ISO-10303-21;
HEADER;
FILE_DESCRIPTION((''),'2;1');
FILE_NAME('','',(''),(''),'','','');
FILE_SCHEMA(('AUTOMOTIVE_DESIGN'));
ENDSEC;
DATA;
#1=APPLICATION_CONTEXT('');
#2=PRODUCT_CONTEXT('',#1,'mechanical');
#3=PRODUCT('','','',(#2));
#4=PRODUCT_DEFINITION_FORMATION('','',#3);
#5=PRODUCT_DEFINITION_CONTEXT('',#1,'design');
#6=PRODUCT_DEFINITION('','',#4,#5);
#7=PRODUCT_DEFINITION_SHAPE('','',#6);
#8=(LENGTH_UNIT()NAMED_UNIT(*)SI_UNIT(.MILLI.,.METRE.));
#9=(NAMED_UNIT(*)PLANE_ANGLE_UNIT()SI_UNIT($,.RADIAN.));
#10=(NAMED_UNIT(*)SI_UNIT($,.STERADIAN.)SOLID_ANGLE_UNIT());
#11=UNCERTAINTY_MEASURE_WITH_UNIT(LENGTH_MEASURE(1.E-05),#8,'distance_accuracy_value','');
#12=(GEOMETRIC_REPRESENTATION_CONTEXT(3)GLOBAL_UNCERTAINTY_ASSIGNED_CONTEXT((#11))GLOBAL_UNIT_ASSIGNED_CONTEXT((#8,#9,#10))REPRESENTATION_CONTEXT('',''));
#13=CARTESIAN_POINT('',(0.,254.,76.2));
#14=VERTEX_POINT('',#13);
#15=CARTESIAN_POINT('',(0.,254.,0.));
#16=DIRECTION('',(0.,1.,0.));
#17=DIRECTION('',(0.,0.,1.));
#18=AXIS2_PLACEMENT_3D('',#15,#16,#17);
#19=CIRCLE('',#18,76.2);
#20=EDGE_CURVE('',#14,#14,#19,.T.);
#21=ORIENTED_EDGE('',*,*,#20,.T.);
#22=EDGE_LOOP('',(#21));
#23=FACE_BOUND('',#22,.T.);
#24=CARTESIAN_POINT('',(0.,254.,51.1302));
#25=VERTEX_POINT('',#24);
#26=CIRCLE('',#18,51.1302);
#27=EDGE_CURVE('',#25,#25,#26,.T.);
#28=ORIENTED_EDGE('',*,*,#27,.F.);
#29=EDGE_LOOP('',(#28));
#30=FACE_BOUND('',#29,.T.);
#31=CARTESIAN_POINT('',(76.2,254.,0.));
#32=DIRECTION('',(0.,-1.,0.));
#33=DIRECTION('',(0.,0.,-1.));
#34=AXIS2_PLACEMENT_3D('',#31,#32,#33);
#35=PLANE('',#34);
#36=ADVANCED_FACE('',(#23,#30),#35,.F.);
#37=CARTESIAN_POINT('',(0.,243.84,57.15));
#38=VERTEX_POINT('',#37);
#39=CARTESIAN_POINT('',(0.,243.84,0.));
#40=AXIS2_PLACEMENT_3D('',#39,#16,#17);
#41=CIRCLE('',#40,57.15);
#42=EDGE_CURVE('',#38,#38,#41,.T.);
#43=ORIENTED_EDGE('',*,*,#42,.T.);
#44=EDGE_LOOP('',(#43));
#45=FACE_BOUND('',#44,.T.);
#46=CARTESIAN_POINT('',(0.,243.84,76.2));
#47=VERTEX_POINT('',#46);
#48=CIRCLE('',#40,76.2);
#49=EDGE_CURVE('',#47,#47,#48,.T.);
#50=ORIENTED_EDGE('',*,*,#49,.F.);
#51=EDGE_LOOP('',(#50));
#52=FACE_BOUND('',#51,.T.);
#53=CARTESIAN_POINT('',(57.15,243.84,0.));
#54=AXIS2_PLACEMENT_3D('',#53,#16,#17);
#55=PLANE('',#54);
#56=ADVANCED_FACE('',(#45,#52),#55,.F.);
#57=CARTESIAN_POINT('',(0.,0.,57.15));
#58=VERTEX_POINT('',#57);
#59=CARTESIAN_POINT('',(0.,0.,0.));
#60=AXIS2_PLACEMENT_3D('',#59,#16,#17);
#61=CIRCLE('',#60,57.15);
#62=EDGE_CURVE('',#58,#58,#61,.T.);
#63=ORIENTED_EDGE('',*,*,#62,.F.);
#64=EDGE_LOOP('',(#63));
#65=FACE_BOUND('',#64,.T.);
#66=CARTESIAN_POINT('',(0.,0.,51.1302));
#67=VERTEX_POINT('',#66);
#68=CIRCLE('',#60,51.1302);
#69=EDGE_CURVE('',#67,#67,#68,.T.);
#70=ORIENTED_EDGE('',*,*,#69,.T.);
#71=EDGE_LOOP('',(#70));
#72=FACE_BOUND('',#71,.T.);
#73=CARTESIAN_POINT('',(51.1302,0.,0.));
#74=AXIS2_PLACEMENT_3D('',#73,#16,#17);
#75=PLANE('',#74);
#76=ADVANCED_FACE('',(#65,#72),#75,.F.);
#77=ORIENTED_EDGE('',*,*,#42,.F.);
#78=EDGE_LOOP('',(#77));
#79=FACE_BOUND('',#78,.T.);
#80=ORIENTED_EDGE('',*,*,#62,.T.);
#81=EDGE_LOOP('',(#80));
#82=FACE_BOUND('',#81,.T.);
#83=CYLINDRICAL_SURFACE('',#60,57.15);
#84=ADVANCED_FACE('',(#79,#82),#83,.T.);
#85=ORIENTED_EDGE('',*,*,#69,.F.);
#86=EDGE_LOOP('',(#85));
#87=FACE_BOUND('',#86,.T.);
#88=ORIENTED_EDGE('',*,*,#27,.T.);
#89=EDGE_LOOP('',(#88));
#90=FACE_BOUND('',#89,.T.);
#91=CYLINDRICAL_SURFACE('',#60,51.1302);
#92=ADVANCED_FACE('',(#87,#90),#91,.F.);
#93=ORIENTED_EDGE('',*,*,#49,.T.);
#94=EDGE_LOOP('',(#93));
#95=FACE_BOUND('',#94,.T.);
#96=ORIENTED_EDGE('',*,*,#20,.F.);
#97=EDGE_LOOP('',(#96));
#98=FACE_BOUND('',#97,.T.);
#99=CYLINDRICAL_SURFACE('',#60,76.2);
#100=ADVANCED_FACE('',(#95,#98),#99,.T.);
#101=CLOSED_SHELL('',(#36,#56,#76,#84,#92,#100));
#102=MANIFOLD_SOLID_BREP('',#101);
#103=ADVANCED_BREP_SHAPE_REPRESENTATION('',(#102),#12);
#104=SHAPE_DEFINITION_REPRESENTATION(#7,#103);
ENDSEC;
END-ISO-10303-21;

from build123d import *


with BuildPart() as part:
    # Shell Profile → Shell Revolve (revolve)
    with BuildSketch(Plane.XY, mode=Mode.PRIVATE) as shell_revolve_sk:
        Polygon((51.1302, 0), (51.1302, 254), (76.2, 254), (76.2, 243.84), (57.15, 243.84), (57.15, 0), align=None)
    revolve(shell_revolve_sk.sketch.rotate(Axis((0, 0, 0), (0, -1, 0)), 90), axis=Axis((0, 0, 0), (0, -1, 0)))


solid = part.part
